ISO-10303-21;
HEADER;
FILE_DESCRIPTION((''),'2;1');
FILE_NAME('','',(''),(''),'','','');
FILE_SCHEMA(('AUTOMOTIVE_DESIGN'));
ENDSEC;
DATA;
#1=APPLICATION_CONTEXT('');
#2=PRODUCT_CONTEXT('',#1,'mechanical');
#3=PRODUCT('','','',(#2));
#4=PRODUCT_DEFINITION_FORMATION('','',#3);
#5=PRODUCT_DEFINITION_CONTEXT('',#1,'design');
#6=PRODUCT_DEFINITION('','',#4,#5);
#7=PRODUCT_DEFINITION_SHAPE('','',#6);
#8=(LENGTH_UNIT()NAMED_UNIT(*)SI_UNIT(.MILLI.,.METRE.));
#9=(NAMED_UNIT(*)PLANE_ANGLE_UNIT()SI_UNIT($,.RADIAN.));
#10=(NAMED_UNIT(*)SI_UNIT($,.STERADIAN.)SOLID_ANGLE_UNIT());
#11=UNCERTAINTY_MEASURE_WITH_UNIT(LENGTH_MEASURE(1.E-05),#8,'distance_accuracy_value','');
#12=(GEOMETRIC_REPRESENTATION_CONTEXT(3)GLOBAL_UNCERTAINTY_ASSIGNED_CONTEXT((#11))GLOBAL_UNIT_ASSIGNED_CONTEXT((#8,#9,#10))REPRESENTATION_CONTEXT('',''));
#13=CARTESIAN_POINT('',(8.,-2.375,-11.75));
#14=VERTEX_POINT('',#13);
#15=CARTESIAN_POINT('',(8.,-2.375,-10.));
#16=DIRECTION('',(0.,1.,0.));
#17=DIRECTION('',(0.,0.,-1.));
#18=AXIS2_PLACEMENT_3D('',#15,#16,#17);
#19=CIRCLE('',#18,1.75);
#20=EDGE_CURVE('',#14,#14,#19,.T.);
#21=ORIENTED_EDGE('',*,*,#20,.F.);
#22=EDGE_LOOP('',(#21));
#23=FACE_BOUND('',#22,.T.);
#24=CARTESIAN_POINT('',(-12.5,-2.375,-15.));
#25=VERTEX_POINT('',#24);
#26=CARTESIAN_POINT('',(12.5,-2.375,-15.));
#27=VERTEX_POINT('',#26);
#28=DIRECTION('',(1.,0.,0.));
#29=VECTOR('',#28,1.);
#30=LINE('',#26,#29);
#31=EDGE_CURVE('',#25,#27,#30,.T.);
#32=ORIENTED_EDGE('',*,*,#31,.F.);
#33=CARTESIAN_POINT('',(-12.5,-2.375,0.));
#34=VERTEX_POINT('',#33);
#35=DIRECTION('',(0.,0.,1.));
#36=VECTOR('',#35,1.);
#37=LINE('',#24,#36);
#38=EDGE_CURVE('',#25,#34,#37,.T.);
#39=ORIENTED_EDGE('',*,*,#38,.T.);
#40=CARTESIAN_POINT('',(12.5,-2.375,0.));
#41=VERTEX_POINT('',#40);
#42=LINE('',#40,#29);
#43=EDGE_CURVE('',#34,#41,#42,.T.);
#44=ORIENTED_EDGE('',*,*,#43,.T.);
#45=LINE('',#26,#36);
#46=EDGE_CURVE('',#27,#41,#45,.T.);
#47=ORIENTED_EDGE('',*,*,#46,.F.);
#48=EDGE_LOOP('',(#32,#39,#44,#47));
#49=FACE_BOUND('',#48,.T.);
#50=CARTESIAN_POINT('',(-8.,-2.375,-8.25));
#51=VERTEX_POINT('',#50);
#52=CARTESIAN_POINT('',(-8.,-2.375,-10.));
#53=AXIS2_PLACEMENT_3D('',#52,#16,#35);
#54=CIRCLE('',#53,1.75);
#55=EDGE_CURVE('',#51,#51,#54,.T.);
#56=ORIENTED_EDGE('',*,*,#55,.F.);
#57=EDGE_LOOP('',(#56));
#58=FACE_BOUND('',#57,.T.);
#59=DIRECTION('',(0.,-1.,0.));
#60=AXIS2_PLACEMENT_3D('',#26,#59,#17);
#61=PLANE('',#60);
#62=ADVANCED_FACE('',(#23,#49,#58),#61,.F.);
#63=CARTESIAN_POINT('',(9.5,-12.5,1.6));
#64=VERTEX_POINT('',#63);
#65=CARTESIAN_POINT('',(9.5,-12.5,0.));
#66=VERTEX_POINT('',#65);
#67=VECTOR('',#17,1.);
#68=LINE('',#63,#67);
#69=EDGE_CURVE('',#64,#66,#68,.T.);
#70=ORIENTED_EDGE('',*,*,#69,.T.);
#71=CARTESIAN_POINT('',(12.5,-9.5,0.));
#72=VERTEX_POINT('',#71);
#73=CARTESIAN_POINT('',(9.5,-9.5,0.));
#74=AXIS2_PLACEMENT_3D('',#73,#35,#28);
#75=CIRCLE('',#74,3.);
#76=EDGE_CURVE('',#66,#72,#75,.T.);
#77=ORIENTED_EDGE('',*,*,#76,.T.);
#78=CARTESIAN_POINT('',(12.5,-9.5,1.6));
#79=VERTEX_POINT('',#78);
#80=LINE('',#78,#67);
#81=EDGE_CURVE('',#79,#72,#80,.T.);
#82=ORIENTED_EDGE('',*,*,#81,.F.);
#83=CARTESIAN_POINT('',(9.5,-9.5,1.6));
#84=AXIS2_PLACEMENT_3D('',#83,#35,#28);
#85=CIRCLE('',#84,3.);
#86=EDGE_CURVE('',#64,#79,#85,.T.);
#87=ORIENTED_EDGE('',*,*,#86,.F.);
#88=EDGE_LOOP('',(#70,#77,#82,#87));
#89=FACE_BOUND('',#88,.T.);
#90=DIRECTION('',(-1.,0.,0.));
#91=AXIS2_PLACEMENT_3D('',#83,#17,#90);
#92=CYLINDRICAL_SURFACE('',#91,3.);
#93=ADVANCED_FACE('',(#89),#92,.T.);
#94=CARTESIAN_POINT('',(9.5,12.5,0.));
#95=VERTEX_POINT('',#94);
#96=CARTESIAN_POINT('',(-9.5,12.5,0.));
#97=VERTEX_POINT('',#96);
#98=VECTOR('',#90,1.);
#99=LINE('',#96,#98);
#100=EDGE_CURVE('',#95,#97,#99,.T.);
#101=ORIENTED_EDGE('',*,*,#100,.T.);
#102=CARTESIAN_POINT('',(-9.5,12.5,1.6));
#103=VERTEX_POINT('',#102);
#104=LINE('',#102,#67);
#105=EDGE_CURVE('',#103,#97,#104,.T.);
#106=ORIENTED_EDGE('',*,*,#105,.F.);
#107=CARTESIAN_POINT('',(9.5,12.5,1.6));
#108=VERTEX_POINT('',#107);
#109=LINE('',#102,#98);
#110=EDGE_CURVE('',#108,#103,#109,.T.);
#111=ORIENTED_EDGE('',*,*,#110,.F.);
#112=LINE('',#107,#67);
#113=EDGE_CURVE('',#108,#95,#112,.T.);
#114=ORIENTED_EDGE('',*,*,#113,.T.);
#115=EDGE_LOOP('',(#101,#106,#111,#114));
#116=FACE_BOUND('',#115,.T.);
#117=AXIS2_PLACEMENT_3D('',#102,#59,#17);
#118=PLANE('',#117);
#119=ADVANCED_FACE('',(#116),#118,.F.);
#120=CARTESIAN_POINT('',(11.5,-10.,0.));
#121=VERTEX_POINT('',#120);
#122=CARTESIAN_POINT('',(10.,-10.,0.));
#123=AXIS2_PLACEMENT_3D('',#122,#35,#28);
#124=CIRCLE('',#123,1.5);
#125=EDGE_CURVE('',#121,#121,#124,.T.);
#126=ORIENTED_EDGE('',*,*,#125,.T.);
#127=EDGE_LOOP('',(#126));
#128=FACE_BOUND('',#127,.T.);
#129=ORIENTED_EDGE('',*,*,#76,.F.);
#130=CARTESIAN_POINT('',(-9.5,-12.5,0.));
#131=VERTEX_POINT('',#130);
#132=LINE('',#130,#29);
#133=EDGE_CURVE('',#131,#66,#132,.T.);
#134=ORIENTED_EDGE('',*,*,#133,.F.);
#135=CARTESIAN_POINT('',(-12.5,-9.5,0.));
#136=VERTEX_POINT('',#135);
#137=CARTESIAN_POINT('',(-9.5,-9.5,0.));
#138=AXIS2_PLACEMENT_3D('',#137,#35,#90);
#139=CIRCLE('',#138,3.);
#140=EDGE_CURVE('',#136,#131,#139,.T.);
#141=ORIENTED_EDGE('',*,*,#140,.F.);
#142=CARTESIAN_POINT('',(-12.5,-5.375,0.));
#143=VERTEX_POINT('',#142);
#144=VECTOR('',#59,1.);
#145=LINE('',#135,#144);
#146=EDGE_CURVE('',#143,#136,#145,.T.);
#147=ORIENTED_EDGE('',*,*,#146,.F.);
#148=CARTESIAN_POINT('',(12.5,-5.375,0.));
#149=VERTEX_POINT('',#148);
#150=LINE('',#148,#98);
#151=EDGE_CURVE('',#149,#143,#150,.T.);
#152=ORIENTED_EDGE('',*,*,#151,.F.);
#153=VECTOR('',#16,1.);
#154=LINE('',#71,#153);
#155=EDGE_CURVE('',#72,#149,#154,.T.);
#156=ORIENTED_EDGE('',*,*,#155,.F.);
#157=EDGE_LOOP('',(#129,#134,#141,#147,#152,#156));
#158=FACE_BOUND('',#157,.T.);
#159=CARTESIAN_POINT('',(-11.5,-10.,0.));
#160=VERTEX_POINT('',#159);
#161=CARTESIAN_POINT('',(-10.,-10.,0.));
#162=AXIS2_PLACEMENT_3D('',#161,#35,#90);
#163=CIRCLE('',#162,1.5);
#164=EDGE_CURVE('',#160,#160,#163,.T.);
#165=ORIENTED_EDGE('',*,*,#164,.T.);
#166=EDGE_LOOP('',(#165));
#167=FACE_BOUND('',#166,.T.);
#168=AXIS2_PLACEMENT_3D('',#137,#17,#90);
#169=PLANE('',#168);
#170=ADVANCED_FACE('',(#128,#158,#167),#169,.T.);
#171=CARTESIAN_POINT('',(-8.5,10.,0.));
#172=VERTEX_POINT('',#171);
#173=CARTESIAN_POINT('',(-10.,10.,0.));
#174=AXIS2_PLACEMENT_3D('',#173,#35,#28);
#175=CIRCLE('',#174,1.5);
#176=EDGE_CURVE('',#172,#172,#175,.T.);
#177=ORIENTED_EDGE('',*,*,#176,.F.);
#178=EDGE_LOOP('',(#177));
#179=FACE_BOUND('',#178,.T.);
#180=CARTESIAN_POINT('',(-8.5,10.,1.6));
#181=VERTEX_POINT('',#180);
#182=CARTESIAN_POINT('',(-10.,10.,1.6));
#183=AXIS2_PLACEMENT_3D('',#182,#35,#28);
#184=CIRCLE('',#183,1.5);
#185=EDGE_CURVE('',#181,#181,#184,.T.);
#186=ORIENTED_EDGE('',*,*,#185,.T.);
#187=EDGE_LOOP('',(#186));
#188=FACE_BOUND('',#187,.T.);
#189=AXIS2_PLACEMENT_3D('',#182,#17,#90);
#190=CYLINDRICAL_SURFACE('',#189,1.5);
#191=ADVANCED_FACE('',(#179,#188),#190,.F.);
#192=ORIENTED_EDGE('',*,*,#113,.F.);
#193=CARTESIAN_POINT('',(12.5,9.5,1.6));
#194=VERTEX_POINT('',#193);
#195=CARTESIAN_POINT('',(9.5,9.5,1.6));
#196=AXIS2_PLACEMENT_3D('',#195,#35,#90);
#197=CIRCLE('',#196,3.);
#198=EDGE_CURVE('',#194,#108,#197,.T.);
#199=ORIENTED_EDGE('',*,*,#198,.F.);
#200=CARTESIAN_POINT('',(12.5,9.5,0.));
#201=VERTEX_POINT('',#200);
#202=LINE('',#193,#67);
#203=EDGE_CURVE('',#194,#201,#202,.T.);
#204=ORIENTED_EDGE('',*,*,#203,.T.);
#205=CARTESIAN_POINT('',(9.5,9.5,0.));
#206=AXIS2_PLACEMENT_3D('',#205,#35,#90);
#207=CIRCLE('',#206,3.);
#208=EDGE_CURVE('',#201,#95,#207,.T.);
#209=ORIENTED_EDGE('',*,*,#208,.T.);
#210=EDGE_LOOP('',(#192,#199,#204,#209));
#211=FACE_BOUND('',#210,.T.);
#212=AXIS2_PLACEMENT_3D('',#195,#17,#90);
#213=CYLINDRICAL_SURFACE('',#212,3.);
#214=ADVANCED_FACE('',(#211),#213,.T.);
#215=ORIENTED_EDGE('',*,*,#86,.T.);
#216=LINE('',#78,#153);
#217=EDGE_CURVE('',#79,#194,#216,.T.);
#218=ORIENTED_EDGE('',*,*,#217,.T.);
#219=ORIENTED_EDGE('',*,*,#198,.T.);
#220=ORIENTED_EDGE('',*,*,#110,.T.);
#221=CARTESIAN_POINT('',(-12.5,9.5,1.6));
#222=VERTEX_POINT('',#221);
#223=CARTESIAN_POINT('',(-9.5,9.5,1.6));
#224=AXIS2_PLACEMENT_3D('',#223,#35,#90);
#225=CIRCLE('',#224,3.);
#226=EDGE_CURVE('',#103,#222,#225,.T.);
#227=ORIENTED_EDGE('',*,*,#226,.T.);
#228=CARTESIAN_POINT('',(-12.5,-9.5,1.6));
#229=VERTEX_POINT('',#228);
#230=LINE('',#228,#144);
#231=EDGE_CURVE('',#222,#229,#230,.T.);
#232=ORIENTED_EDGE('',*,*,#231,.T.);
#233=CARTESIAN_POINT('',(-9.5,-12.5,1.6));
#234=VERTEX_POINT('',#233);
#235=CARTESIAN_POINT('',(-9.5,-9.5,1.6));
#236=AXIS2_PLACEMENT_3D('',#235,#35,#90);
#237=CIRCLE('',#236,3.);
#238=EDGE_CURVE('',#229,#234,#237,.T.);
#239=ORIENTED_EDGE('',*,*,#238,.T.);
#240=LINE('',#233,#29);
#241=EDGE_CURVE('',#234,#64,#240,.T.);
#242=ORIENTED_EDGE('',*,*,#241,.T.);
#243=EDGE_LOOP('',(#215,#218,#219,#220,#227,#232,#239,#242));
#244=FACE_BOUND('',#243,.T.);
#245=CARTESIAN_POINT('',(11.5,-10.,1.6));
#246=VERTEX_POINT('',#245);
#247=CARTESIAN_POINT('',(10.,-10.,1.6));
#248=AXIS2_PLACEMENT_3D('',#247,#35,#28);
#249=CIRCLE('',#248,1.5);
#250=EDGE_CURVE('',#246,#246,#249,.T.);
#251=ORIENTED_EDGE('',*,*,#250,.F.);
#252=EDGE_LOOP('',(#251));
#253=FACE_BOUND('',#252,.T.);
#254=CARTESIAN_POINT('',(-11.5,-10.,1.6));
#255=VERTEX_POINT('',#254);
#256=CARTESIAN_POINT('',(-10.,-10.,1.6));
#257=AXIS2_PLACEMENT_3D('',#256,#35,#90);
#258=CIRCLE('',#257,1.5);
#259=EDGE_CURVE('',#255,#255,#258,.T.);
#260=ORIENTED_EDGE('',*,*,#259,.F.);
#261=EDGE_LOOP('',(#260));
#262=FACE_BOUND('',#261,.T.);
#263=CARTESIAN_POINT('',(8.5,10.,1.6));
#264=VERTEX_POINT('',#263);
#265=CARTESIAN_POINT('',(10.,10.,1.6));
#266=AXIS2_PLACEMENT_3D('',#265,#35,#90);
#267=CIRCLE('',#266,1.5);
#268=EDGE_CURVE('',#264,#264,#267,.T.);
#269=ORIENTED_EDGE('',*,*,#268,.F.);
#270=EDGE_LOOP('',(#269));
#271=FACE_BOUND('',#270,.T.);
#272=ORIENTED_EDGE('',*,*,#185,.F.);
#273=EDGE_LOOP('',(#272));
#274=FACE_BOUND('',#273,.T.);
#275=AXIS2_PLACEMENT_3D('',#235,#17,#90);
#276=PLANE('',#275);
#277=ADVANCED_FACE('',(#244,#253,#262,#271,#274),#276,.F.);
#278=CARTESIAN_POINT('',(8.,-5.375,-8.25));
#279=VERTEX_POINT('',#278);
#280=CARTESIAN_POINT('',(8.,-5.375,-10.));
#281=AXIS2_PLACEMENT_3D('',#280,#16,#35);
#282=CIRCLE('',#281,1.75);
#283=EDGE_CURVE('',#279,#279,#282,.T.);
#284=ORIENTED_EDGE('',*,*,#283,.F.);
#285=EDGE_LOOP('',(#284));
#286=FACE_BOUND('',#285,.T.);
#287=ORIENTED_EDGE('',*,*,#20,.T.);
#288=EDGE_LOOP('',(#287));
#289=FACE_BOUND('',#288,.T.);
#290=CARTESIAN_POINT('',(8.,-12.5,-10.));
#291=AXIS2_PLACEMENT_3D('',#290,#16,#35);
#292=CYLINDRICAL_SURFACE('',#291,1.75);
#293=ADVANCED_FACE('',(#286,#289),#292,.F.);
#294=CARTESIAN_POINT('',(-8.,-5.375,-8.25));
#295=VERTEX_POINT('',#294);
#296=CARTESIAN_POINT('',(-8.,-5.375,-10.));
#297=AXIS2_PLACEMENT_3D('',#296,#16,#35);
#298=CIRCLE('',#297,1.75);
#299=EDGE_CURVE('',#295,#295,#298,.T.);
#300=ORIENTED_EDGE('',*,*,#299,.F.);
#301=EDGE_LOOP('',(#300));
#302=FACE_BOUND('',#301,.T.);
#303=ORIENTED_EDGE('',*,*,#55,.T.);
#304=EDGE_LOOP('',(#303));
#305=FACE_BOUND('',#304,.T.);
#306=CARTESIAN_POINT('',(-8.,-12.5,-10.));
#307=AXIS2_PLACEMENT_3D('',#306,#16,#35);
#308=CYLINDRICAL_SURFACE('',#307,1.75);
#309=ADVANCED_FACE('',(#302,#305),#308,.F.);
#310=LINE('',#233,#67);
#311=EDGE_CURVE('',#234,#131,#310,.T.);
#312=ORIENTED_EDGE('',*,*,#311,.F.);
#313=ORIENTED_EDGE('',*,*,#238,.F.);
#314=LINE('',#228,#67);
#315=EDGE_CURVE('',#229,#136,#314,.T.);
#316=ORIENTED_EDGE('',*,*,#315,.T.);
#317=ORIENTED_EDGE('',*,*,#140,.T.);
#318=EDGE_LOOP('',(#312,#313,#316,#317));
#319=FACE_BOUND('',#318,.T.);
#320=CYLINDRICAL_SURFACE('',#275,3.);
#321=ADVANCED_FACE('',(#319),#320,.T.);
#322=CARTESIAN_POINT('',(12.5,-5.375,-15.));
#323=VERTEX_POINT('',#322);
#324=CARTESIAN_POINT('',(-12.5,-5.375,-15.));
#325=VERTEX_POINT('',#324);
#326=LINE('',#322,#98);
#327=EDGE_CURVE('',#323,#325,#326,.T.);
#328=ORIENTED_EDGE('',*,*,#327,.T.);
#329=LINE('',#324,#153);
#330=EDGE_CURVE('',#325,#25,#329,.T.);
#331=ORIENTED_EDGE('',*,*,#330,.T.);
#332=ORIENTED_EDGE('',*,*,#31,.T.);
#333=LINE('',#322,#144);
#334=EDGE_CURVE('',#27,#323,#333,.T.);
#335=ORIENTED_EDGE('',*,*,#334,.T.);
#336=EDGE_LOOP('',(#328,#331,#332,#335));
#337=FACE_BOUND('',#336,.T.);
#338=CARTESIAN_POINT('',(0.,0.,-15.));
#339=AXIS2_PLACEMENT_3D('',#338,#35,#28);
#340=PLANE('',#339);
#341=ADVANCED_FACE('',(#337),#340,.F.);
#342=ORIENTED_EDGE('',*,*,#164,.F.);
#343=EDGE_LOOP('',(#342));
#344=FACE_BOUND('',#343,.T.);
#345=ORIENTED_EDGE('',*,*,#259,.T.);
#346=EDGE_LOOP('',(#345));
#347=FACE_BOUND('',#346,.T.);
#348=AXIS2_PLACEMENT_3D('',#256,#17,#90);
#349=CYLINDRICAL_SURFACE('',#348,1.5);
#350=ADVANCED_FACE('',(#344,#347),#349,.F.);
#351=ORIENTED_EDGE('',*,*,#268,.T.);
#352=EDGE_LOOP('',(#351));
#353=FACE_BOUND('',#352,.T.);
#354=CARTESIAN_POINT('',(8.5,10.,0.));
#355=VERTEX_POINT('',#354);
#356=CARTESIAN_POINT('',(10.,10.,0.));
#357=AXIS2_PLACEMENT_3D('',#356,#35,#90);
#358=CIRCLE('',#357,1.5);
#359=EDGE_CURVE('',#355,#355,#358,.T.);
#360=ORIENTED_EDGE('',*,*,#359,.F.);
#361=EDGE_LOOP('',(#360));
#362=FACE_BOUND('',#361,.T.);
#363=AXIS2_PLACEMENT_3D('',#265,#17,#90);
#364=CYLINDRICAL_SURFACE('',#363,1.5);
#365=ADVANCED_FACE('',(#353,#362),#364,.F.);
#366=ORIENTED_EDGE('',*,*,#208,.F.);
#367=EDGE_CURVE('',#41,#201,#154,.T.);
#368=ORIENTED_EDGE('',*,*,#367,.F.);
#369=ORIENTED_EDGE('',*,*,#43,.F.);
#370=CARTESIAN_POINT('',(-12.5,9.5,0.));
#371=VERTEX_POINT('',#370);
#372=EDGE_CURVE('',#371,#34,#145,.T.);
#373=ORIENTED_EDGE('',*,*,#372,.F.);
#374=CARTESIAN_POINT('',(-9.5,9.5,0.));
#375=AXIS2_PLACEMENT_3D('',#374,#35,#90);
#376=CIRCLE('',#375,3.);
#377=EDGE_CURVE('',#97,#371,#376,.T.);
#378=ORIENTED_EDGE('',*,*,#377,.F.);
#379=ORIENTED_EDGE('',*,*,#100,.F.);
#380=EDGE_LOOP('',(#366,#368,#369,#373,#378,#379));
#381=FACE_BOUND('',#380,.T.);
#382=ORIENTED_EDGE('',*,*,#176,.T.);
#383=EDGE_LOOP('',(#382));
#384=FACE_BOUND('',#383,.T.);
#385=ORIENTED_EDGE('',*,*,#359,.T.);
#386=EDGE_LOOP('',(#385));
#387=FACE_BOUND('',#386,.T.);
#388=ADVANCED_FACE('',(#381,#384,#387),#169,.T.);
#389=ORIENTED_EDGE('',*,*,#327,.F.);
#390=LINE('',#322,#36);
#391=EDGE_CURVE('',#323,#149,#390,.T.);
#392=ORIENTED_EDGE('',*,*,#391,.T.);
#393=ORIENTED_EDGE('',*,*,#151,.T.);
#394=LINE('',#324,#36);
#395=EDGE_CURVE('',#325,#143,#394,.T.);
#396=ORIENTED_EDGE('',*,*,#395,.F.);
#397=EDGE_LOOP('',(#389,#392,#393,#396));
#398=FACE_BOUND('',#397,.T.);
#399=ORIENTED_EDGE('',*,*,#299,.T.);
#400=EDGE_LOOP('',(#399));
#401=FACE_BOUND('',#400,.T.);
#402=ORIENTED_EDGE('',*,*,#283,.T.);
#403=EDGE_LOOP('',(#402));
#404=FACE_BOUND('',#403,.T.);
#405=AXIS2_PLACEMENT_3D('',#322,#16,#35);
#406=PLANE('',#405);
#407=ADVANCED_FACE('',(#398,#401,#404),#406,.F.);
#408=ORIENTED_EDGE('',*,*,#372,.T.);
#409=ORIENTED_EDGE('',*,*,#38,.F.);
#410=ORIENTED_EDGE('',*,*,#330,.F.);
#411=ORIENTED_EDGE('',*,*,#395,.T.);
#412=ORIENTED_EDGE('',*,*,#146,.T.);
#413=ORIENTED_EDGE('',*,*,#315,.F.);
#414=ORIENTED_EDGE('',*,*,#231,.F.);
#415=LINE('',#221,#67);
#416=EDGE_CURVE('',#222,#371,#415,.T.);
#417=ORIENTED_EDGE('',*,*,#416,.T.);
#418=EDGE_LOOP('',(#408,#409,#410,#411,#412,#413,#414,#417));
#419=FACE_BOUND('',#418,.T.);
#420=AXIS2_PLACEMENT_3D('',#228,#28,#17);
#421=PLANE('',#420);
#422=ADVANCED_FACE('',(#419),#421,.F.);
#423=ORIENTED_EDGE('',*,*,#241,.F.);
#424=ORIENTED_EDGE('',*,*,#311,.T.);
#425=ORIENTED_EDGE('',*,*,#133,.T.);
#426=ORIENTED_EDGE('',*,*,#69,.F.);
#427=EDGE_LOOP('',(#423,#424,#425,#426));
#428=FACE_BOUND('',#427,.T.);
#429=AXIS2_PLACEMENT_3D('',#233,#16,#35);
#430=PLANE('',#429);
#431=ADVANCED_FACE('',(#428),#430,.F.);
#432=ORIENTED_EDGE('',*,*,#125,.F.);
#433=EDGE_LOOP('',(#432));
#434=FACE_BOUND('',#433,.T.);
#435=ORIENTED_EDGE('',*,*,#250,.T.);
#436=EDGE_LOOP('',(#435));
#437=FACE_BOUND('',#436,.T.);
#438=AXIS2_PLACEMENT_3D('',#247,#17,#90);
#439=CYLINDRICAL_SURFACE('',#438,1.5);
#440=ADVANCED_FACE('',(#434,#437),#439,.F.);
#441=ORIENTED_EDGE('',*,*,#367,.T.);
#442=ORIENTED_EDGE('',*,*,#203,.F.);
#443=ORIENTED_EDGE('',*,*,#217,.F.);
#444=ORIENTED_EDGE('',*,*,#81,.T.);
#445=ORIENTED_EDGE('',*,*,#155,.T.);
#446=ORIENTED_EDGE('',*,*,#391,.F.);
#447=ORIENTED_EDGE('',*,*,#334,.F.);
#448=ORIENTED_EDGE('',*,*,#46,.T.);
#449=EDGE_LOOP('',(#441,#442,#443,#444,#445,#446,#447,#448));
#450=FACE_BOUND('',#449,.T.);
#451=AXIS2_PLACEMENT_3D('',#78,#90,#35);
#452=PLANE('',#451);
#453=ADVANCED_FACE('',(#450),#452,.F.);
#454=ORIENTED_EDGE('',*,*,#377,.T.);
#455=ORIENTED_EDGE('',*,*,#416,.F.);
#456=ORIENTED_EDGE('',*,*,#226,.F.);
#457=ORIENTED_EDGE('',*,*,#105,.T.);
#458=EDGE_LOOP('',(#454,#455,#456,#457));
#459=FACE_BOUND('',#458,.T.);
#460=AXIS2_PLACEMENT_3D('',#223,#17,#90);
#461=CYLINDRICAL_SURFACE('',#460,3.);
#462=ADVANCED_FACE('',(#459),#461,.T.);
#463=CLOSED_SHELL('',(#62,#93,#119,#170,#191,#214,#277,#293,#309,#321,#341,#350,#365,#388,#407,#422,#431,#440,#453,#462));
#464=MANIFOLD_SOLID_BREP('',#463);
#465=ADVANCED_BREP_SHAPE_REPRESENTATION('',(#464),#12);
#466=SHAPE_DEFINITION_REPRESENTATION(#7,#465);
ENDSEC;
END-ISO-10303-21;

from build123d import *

# Parameters (mm, degrees)
SKETCH1_R           = 1.5
BOSS_EXTRUDE1_DEPTH = 1.6
SKETCH2_W           = 25
SKETCH2_H           = 3
BOSS_EXTRUDE2_DEPTH = 15
SKETCH3_R           = 1.75
CUT_EXTRUDE1_DEPTH  = 25.546193697


with BuildPart() as part:
    # Sketch1 → Boss-Extrude1 (new body)
    with BuildSketch(Plane.XY):
        with BuildLine():
            Line((-9.5, -12.5), (9.5, -12.5))
            ThreePointArc((9.5, -12.5), (11.621320344, -11.621320344), (12.5, -9.5))
            Line((12.5, -9.5), (12.5, 9.5))
            ThreePointArc((12.5, 9.5), (11.621320344, 11.621320344), (9.5, 12.5))
            Line((9.5, 12.5), (-9.5, 12.5))
            ThreePointArc((-9.5, 12.5), (-11.621320344, 11.621320344), (-12.5, 9.5))
            Line((-12.5, 9.5), (-12.5, -9.5))
            ThreePointArc((-12.5, -9.5), (-11.621320344, -11.621320344), (-9.5, -12.5))
        make_face()
        with Locations((-10, 10)):
            Circle(SKETCH1_R, mode=Mode.SUBTRACT)
        with Locations(Location((10, 10, 0), (0, 0, 180))):
            Circle(SKETCH1_R, mode=Mode.SUBTRACT)
        with Locations((10, -10)):
            Circle(SKETCH1_R, mode=Mode.SUBTRACT)
        with Locations(Location((-10, -10, 0), (0, 0, 180))):
            Circle(SKETCH1_R, mode=Mode.SUBTRACT)
    extrude(amount=BOSS_EXTRUDE1_DEPTH)

    # Sketch2 → Boss-Extrude2 (add)
    with BuildSketch(Plane(origin=(0, 0, 0), x_dir=(-1, 0, 0), z_dir=(0, 0, -1))):
        with Locations((0, -3.875)):
            Rectangle(SKETCH2_W, SKETCH2_H)
    extrude(amount=BOSS_EXTRUDE2_DEPTH)

    # Sketch3 → Cut-Extrude1 (cut, through all)
    with BuildSketch(Plane(origin=(0, -2.375, 0), x_dir=(1, 0, 0), z_dir=(0, 1, 0))):
        with Locations(Location((-8, 10, 0), (0, 0, 270))):
            Circle(SKETCH3_R)
        with Locations(Location((8, 10, 0), (0, 0, 270))):
            Circle(SKETCH3_R)
    extrude(amount=-CUT_EXTRUDE1_DEPTH, mode=Mode.SUBTRACT)


solid = part.part
